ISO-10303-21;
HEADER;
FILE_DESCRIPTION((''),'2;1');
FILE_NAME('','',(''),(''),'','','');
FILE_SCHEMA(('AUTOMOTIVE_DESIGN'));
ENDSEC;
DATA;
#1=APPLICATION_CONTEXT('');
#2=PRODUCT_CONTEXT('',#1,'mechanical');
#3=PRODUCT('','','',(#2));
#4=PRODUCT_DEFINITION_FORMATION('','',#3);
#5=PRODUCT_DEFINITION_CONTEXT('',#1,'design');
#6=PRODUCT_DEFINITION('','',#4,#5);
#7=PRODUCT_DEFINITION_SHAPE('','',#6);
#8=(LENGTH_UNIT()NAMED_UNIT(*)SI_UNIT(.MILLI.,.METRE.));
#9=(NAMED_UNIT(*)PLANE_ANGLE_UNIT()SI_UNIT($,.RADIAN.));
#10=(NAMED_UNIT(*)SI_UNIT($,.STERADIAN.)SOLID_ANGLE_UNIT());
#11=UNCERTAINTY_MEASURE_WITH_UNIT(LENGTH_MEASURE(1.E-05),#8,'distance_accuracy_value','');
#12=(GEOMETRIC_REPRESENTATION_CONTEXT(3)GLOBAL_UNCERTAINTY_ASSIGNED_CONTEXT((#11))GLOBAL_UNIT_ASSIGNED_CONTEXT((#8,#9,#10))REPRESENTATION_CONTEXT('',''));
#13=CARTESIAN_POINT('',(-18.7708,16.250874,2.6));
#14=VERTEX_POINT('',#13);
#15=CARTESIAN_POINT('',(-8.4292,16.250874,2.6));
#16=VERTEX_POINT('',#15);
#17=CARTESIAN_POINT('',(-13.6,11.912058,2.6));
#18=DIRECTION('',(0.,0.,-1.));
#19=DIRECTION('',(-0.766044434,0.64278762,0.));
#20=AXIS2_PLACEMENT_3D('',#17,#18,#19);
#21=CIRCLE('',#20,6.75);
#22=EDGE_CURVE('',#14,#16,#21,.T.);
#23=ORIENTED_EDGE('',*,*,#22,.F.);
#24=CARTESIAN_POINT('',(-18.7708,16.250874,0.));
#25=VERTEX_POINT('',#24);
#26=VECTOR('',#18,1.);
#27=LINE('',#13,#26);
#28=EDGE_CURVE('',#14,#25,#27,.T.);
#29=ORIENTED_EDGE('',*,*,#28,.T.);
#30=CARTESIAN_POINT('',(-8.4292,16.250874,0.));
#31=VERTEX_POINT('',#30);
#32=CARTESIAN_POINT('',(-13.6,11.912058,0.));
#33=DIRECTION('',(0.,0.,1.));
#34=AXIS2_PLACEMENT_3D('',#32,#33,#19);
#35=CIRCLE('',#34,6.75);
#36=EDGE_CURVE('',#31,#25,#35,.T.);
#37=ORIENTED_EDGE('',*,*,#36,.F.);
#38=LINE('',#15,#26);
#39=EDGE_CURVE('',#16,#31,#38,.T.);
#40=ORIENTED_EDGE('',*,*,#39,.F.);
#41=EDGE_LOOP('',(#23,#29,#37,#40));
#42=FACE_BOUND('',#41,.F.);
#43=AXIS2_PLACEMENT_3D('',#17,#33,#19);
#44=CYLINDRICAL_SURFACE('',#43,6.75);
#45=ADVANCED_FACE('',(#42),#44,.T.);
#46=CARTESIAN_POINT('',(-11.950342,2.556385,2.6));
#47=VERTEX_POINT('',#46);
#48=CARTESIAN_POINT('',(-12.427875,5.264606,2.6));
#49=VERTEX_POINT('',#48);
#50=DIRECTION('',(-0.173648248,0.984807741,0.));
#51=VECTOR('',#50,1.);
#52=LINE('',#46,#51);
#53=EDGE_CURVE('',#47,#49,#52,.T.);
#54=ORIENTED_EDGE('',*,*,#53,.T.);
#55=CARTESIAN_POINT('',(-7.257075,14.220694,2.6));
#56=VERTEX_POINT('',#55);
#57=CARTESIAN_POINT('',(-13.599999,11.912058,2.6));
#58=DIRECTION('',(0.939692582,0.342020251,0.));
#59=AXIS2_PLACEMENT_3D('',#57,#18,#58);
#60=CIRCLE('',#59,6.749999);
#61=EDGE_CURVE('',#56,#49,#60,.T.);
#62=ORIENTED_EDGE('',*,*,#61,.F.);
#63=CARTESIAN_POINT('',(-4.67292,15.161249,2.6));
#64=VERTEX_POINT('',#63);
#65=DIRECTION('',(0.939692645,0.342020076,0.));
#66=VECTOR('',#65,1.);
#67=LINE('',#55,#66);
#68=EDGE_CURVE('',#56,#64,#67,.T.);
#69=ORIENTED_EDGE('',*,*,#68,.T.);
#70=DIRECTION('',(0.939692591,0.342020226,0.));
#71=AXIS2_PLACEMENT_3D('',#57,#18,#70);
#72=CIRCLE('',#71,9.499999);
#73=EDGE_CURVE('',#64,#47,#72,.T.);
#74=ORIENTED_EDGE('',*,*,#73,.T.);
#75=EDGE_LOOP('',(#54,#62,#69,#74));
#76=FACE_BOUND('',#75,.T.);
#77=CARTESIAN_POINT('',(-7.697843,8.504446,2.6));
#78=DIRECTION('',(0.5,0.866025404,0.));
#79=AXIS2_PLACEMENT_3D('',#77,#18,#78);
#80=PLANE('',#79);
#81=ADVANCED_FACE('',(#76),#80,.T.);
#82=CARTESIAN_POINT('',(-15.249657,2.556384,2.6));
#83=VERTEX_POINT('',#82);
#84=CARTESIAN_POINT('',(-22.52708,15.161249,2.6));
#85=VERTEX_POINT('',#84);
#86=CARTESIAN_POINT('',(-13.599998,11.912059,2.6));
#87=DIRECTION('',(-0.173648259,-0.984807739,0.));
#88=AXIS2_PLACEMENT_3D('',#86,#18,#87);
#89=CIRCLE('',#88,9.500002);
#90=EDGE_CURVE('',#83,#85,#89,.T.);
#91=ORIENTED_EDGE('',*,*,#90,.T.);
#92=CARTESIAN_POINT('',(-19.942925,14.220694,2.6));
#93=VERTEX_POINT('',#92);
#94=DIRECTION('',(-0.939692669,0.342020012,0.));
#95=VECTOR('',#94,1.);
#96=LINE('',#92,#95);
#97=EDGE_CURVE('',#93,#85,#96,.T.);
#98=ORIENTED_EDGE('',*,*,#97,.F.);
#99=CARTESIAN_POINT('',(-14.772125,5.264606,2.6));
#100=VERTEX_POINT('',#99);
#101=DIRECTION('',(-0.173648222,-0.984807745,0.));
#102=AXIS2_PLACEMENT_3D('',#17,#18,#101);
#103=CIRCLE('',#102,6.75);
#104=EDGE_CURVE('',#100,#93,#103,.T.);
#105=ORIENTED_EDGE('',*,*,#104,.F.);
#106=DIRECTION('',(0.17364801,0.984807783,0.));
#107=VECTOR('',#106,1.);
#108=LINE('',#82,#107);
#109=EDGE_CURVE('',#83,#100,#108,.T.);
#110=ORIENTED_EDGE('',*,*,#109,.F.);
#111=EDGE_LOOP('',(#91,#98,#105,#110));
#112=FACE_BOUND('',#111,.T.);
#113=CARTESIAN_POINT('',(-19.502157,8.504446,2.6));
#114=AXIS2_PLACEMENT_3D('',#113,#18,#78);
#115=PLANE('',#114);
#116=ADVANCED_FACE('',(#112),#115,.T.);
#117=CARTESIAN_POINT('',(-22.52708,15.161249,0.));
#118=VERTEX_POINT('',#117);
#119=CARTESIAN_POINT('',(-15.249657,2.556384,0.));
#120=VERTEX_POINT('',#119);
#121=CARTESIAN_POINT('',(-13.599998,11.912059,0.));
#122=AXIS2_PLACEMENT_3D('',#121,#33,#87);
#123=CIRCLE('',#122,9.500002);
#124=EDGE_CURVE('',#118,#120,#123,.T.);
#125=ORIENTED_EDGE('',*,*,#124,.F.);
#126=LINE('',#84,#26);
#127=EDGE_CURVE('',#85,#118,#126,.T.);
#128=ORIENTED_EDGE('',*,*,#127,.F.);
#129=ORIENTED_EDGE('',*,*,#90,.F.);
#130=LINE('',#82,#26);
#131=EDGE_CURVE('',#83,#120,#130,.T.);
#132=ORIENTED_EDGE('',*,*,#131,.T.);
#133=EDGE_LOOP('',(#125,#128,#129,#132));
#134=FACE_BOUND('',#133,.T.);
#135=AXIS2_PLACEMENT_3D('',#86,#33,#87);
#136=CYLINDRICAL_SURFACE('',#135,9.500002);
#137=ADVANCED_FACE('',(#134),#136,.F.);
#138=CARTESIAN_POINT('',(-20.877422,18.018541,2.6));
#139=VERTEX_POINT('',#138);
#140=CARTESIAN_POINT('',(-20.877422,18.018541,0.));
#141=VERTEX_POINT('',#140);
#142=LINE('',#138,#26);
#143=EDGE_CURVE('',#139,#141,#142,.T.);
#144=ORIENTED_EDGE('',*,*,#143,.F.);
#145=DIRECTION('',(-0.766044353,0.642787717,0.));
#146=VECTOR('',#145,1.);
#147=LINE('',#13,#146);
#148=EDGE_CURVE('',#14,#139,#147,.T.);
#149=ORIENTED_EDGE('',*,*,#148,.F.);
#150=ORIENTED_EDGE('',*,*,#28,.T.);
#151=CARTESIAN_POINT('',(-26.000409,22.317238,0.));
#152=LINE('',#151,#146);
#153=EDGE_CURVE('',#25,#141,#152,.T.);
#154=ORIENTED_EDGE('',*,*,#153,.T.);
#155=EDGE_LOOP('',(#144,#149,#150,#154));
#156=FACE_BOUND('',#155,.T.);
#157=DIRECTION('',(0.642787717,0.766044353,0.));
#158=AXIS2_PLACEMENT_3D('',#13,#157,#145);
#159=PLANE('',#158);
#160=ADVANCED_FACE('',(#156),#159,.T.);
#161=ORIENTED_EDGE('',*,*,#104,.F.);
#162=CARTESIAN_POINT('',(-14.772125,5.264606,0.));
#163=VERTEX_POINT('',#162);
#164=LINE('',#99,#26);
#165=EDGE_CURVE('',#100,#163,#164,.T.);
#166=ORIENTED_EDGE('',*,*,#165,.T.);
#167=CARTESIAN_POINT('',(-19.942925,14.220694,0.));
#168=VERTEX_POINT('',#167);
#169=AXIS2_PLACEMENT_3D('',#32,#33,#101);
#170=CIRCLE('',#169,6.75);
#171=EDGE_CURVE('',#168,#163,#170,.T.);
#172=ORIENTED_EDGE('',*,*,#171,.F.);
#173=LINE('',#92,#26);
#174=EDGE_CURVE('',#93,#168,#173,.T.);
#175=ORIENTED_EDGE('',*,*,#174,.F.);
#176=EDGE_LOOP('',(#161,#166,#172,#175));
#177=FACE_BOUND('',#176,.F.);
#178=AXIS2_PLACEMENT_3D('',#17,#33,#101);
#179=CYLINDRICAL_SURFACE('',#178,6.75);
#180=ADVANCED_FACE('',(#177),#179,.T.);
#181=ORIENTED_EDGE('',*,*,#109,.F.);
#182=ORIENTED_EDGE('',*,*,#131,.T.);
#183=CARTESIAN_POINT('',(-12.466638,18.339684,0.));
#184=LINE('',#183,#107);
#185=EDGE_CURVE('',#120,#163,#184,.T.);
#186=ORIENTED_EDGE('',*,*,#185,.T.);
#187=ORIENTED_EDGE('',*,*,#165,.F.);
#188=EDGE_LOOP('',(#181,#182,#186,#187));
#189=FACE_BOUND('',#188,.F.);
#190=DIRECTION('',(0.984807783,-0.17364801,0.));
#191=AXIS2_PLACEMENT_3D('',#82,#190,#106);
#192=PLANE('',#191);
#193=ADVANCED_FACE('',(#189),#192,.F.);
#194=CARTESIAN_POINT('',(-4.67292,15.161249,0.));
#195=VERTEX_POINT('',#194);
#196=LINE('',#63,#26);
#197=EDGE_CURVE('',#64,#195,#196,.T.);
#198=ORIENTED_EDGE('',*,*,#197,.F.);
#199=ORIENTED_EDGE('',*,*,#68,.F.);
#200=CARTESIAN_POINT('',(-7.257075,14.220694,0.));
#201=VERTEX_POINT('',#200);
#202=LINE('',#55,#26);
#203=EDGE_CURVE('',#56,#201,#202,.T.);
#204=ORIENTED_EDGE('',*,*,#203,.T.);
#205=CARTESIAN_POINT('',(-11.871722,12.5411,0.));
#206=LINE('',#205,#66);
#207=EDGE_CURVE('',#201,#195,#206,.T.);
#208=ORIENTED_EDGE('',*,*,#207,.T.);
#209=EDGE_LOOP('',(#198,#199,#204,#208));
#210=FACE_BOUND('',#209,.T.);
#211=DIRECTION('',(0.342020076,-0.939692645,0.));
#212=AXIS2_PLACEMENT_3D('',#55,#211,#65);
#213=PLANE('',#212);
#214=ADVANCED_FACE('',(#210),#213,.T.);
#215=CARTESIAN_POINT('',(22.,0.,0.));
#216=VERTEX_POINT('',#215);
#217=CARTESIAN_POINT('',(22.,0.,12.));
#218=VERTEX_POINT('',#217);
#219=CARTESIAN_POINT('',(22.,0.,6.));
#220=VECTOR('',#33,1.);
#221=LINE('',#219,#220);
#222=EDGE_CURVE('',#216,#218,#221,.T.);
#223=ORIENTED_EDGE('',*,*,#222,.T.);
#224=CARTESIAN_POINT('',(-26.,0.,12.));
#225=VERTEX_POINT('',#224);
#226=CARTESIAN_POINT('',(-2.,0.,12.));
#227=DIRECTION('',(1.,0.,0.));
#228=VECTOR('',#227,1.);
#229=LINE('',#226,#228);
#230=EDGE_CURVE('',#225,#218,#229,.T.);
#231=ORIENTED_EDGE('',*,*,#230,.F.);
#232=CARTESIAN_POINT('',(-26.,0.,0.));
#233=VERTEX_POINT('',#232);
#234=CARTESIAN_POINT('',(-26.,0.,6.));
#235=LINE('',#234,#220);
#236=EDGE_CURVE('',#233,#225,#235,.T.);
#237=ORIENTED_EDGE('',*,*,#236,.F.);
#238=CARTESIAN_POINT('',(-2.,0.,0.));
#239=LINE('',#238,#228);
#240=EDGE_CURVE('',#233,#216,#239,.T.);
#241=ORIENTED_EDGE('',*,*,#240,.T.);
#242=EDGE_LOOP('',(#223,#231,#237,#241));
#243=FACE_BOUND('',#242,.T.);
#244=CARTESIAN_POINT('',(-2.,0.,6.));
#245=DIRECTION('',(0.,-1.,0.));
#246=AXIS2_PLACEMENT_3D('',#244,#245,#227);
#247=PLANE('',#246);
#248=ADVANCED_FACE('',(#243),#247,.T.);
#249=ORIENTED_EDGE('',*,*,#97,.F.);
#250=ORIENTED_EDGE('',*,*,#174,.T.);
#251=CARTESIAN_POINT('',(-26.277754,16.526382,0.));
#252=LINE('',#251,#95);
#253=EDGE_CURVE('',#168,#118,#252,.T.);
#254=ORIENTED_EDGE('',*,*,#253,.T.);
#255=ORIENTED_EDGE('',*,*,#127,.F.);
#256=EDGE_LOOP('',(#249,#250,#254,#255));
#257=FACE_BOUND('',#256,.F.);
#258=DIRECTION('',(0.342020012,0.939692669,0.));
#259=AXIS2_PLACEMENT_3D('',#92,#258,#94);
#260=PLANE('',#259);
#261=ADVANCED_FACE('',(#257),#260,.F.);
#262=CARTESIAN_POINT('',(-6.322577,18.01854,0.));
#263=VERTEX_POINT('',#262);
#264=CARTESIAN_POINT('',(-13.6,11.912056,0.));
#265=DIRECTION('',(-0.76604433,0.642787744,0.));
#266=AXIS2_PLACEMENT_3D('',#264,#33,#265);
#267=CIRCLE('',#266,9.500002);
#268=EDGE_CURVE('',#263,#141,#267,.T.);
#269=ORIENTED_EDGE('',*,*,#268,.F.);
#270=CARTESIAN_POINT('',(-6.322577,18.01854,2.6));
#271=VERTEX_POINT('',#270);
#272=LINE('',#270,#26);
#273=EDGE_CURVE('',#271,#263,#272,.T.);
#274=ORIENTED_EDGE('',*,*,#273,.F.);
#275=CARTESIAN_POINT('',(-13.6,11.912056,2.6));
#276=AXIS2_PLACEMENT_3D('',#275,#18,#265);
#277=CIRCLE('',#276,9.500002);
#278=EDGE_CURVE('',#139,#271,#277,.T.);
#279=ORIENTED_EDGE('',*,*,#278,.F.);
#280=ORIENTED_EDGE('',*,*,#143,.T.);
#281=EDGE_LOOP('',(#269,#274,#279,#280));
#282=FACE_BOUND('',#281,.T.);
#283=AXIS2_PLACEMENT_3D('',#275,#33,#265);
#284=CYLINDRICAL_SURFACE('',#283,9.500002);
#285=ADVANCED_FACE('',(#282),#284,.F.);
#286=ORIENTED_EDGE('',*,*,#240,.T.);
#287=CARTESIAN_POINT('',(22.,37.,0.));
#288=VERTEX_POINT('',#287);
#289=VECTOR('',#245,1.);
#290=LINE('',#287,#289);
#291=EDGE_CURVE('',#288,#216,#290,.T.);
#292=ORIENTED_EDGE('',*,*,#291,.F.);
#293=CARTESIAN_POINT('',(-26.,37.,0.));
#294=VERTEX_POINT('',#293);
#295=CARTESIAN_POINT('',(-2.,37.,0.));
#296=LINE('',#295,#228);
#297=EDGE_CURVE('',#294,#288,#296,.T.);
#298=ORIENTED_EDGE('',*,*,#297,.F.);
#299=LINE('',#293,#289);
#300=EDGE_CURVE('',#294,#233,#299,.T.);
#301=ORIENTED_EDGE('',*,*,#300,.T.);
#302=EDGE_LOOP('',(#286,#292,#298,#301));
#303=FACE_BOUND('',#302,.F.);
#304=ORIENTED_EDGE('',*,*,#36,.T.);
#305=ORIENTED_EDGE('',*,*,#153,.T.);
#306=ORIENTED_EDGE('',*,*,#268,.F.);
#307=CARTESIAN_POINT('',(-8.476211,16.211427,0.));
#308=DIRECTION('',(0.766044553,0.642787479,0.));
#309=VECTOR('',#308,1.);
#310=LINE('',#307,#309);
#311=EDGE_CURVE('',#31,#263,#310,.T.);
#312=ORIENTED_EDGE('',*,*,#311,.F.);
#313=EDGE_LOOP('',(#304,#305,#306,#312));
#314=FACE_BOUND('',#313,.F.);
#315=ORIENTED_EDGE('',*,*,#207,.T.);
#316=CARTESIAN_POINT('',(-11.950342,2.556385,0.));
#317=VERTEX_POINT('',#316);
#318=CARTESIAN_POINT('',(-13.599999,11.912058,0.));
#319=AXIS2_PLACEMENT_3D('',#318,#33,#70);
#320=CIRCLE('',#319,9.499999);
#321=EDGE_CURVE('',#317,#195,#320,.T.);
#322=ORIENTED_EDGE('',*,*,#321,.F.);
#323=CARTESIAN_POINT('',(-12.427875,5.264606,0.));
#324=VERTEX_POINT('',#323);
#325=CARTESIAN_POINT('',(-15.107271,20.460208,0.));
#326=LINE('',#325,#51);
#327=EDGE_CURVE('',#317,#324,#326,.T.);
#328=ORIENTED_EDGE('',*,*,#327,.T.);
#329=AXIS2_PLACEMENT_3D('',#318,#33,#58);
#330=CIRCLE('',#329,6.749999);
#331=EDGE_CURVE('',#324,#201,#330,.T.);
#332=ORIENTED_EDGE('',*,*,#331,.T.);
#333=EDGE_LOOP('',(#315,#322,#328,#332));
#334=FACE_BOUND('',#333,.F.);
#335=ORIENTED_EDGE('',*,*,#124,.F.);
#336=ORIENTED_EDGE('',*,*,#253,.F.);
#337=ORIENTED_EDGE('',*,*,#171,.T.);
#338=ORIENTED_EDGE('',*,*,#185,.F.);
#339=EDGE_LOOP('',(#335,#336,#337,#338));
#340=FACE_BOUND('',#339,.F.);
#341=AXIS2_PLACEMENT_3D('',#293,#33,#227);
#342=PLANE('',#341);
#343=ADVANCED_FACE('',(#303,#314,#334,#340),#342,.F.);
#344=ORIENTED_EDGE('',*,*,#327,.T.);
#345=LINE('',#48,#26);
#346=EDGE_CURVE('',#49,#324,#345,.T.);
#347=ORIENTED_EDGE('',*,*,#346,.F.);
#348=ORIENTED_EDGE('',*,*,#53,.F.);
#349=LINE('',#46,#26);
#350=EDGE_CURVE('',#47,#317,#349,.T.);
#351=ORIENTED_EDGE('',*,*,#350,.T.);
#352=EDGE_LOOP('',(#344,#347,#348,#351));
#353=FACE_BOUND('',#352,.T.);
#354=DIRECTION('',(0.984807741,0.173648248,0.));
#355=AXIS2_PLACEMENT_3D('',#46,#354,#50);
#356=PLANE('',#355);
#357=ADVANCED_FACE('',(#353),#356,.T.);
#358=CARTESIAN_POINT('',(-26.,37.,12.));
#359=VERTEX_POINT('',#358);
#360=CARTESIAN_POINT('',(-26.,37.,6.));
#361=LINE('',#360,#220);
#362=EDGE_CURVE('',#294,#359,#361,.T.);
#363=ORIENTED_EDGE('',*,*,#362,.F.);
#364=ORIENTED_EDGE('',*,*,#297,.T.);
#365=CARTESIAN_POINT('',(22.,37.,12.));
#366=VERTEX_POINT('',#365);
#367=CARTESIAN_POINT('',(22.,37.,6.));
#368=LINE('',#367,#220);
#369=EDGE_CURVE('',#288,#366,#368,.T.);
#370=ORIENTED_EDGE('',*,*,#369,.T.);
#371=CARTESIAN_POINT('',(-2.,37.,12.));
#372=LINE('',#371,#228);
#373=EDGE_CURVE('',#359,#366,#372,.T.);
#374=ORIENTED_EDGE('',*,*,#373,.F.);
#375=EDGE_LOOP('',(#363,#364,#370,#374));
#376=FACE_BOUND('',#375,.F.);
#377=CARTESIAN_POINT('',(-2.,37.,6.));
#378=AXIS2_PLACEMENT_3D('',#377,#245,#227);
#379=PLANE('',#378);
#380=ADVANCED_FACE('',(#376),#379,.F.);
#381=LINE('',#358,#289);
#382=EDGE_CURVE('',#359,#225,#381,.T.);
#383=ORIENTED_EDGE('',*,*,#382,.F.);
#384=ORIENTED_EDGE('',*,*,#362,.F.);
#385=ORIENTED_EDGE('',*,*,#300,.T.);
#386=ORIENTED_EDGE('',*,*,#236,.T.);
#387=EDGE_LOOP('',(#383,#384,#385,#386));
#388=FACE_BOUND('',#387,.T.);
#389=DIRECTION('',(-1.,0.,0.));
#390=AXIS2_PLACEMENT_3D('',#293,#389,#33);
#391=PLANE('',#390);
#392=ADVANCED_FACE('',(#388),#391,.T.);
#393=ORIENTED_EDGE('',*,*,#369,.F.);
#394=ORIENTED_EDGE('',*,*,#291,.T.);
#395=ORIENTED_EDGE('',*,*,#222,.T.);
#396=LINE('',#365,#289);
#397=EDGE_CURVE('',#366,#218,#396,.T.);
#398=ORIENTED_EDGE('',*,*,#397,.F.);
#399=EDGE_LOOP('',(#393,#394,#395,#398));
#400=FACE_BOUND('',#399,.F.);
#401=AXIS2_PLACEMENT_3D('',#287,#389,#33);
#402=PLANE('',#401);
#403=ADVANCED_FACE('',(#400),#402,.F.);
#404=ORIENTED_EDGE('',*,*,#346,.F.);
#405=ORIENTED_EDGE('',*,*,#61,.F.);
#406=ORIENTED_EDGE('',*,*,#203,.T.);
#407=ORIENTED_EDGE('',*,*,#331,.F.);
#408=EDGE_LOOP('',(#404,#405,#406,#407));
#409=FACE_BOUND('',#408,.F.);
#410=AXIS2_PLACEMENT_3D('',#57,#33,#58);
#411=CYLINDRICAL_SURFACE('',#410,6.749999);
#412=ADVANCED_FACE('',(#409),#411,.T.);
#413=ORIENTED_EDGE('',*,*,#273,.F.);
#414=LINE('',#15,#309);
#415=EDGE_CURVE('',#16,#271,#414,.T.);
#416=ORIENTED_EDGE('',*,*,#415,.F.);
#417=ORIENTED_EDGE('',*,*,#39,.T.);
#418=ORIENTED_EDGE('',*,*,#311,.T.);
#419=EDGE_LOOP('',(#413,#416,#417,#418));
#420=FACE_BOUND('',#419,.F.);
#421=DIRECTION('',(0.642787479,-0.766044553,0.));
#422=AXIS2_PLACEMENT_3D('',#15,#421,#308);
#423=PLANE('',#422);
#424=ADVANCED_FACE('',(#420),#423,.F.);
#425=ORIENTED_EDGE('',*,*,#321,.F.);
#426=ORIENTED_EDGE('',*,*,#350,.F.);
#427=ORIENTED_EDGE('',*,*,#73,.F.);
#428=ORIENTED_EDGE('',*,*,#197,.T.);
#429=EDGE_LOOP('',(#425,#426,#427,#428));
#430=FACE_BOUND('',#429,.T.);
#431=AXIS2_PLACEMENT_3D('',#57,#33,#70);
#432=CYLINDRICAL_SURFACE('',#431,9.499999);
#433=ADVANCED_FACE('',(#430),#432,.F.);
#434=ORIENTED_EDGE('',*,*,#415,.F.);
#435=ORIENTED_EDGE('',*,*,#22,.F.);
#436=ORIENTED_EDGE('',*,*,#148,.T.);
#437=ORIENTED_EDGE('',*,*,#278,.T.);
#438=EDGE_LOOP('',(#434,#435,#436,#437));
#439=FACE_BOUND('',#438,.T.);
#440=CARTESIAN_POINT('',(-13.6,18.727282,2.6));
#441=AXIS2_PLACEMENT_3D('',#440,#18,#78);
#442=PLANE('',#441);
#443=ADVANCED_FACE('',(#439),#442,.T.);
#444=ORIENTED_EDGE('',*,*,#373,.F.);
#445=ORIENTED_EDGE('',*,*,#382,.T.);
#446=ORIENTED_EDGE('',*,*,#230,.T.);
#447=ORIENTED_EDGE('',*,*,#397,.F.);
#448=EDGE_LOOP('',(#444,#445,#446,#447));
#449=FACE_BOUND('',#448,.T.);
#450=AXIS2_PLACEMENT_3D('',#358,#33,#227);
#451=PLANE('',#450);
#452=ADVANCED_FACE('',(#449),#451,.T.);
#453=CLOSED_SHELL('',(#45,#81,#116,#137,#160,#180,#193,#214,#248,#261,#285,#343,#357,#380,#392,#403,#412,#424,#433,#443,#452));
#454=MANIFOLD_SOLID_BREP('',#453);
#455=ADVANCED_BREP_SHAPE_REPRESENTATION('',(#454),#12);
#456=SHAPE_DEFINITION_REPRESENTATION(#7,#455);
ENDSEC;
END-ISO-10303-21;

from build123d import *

# Parameters (mm, degrees)
EXTRUDE010_DEPTH           = 20
EXTRUDE010_PLACEMENT_ANGLE = 300
BOX140_W                   = 48
BOX140_H                   = 12
BOX140_DEPTH               = 37
CUT028_PLACEMENT_ANGLE     = 90


with BuildPart() as extrude010:
    # Sketch021 (on Box) → Extrude010 (new body)
    with BuildSketch(Plane.XZ):
        with BuildLine():
            ThreePointArc((7.277422, 6.106482), (0, 9.5), (-7.277422, 6.106482))
            Line((-7.277422, 6.106482), (-5.1708, 4.338816))
            ThreePointArc((5.1708, 4.338816), (0, 6.75), (-5.1708, 4.338816))
            Line((5.1708, 4.338816), (7.277422, 6.106482))
        make_face()
        with BuildLine():
            ThreePointArc((-8.92708, 3.249192), (-8.227241, -4.75), (-1.649658, -9.355674))
            Line((-1.172125, -6.647452), (-1.649658, -9.355674))
            ThreePointArc((-6.342925, 2.308636), (-5.845671, -3.375), (-1.172125, -6.647452))
            Line((-8.92708, 3.249192), (-6.342925, 2.308636))
        make_face()
        with BuildLine():
            ThreePointArc((1.649658, -9.355674), (8.227241, -4.75), (8.92708, 3.249192))
            Line((6.342925, 2.308636), (8.92708, 3.249192))
            ThreePointArc((1.172125, -6.647452), (5.845671, -3.375), (6.342925, 2.308636))
            Line((1.172125, -6.647452), (1.649658, -9.355674))
        make_face()
    extrude(amount=EXTRUDE010_DEPTH)


with BuildPart() as extrude010_1:
    # Extrude010 placement: moved
    add(extrude010.part.moved(Location((12.4, 2.6, 25.087942))).rotate(Axis((12.4, 2.6, 25.087942), (0, -1, 0)), EXTRUDE010_PLACEMENT_ANGLE))


with BuildPart() as cut028:
    # Box140 → Box140 (new body)
    with BuildSketch(Plane.XY):
        with Locations((24, 6)):
            Rectangle(BOX140_W, BOX140_H)
    extrude(amount=BOX140_DEPTH)

    # Cut028: cut Extrude010
    add(extrude010_1.part, mode=Mode.SUBTRACT)


with BuildPart() as cut028_1:
    # Cut028 placement: moved
    add(cut028.part.moved(Location((-26, 37, 0))).rotate(Axis((-26, 37, 0), (1, 0, 0)), CUT028_PLACEMENT_ANGLE))


solid = cut028_1.part
